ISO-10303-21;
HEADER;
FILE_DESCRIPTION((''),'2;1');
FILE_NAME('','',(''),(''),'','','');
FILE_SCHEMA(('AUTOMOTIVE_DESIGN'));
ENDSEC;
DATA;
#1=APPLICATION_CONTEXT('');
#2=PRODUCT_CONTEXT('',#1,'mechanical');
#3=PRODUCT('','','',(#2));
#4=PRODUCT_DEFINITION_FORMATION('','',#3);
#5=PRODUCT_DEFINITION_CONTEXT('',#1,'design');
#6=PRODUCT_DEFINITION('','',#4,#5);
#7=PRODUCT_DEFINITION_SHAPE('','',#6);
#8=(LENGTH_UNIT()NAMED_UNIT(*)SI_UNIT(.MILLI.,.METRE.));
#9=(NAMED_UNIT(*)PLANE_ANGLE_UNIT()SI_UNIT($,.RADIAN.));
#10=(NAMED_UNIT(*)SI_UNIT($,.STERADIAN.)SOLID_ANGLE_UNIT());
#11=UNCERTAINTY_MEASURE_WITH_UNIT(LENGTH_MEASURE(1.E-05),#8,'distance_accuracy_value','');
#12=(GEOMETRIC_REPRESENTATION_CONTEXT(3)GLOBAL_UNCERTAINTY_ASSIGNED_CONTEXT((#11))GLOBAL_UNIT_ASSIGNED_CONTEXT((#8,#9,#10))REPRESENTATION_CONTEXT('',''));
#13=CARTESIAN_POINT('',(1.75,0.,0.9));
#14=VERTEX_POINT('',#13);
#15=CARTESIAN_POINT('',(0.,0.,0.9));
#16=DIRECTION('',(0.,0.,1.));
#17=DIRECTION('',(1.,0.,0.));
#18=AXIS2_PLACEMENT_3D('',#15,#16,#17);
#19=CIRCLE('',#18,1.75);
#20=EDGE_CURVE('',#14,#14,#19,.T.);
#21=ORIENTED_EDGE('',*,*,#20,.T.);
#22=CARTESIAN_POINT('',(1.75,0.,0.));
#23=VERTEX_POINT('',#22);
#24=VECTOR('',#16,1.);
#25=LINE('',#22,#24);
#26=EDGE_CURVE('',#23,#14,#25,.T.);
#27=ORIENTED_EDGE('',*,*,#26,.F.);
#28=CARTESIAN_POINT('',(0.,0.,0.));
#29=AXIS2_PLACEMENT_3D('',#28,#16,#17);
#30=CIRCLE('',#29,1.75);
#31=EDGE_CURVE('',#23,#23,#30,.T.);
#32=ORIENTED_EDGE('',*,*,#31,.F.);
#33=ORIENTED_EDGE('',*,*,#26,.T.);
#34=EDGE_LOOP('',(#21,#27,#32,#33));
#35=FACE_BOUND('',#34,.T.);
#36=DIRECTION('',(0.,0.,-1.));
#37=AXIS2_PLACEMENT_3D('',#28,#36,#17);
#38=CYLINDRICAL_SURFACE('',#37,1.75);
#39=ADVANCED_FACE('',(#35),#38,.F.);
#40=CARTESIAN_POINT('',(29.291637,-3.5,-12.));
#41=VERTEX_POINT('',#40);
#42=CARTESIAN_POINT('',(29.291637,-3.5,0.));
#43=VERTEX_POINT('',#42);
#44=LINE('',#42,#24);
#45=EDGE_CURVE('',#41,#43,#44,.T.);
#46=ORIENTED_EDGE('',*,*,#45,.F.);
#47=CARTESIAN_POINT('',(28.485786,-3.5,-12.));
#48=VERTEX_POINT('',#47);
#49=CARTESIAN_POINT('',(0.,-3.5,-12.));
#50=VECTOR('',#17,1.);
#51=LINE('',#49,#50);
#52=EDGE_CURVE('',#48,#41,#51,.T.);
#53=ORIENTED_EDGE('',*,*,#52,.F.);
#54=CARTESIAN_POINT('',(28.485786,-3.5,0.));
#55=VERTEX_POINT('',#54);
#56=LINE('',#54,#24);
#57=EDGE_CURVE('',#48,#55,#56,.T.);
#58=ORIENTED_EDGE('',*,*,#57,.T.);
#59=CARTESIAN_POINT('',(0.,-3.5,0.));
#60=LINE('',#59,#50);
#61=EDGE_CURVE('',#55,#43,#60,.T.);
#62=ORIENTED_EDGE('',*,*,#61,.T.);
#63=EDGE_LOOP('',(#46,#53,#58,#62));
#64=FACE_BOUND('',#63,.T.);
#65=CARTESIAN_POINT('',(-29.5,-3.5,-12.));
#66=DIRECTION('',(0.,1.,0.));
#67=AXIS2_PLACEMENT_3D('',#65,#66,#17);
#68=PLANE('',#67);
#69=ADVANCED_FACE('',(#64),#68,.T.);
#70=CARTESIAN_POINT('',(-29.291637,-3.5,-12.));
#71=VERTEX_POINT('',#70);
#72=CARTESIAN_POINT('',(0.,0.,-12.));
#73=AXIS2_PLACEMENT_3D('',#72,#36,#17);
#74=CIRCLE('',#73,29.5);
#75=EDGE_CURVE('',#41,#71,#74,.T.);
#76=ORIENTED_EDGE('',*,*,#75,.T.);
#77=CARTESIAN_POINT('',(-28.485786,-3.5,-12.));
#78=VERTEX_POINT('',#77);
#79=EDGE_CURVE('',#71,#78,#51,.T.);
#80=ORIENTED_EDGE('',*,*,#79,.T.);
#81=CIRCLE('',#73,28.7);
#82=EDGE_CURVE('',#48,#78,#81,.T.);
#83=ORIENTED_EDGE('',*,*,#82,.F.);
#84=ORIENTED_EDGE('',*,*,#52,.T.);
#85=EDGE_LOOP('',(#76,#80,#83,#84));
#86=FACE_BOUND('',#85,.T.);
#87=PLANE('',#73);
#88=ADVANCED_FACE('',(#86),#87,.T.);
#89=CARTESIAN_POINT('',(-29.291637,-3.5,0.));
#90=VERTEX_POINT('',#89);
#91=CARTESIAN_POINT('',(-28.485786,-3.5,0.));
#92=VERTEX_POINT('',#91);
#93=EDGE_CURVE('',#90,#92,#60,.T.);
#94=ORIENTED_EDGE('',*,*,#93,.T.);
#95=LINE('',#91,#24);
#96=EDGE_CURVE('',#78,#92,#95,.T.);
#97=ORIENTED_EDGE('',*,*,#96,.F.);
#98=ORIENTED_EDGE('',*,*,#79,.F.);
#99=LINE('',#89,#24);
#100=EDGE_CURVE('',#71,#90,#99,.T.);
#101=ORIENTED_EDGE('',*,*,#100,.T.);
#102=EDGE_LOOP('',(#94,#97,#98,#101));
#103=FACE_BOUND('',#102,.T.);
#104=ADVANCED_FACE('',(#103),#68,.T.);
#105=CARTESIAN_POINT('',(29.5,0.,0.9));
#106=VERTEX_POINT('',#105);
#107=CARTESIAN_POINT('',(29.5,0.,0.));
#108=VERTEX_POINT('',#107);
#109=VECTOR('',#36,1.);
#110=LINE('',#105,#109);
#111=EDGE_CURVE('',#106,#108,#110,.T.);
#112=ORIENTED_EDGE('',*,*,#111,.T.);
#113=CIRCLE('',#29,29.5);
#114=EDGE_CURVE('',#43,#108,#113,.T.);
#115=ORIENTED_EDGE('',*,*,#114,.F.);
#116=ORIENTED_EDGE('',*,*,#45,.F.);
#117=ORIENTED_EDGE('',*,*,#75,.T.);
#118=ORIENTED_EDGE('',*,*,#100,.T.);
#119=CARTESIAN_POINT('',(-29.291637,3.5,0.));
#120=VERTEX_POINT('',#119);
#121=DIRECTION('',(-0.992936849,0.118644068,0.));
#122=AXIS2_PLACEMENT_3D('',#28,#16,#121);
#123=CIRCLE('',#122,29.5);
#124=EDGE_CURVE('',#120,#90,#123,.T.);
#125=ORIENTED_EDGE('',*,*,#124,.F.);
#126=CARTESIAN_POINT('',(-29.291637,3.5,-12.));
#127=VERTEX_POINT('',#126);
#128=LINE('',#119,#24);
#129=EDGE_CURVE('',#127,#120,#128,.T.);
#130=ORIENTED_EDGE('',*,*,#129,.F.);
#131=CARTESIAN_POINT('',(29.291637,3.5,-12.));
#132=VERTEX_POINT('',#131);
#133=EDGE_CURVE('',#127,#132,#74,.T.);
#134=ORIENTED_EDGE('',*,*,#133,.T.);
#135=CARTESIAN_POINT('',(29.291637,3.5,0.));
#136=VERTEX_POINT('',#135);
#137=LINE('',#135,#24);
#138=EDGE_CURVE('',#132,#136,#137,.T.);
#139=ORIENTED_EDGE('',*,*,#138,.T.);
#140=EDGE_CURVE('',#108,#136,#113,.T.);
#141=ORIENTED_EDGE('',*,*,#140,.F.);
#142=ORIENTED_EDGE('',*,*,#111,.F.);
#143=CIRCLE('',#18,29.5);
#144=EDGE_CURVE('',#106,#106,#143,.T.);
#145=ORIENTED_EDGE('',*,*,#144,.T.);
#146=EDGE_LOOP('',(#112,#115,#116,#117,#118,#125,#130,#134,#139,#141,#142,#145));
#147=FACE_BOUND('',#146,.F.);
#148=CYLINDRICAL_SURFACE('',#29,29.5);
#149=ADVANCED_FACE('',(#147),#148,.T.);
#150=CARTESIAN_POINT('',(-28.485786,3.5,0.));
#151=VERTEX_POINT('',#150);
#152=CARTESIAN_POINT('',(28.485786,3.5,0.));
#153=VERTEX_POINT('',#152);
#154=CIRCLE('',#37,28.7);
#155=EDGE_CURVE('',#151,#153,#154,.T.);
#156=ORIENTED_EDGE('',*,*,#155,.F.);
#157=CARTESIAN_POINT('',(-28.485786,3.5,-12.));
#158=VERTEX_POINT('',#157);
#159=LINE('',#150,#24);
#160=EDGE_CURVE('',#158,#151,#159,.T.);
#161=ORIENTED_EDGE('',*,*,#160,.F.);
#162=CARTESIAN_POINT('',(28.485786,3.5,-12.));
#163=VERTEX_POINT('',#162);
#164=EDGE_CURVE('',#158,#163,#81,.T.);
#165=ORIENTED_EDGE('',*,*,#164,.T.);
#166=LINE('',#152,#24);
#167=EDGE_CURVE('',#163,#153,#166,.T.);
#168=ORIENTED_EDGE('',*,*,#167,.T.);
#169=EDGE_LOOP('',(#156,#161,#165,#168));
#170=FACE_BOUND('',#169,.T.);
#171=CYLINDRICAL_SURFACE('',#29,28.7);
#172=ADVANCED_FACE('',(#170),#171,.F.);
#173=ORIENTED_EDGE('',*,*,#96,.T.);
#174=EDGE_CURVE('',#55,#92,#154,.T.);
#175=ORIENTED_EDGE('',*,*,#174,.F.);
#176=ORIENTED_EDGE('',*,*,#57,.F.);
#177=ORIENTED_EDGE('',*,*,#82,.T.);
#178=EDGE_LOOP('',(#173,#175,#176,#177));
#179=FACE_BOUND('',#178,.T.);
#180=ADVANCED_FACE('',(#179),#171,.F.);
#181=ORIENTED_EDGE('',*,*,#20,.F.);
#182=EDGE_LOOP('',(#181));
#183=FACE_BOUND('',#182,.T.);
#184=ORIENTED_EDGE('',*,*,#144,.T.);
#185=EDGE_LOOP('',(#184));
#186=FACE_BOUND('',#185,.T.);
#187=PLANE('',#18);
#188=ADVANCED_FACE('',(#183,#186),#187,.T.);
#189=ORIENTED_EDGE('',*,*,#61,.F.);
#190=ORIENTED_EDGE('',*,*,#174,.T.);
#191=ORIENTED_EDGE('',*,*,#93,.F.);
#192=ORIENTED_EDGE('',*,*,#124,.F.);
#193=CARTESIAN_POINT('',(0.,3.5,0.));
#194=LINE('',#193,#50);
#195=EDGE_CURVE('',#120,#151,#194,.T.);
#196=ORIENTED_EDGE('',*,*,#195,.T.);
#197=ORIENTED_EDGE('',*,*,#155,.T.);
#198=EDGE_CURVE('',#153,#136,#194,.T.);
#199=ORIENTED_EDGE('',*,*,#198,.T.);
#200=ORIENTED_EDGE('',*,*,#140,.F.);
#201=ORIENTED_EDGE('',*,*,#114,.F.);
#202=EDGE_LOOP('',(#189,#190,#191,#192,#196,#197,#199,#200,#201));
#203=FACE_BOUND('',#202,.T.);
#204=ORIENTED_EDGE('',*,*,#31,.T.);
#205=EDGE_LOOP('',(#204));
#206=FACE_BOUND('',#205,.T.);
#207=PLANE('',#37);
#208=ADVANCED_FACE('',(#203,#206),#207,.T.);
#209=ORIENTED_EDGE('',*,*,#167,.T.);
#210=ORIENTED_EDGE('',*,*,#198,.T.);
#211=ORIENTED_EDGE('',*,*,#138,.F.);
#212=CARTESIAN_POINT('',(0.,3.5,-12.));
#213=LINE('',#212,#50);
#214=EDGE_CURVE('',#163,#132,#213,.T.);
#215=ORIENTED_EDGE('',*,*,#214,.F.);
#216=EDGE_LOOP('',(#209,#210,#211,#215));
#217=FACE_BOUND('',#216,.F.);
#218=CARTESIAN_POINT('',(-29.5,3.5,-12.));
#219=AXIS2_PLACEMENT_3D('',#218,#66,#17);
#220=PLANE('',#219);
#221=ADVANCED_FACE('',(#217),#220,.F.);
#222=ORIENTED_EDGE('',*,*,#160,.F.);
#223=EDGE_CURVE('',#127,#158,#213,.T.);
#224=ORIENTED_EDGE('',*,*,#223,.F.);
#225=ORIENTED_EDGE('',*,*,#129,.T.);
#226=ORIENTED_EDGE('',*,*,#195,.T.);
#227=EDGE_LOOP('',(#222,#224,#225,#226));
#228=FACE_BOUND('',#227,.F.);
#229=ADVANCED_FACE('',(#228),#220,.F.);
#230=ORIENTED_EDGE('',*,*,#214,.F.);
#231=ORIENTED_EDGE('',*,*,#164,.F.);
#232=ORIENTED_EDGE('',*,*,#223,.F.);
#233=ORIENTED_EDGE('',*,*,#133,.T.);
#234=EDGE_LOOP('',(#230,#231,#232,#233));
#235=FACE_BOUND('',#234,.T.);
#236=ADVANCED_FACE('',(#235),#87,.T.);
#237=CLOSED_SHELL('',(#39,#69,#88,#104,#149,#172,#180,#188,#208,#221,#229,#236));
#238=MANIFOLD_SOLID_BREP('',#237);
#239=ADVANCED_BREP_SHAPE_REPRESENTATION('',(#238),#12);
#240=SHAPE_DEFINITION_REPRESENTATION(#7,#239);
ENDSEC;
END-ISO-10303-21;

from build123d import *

# Parameters (mm, degrees)
F0_R     = 29.5
F0_R_2   = 1.75
F1_DEPTH = 0.9
F2_R     = 29.5
F2_R_2   = 28.7
F3_DEPTH = 12
F4_W     = 59
F4_H     = 7
F5_DEPTH = 12


with BuildPart() as f1:
    # F0 (on Top) → F1 (new body)
    with BuildSketch(Plane.XY):
        Circle(F0_R)
        Circle(F0_R_2, mode=Mode.SUBTRACT)
    extrude(amount=F1_DEPTH)

    # F2 (on face) → F3 (join)
    with BuildSketch(Plane(origin=(0, 0, 0), x_dir=(1, 0, 0), z_dir=(0, 0, -1))):
        Circle(F2_R)
        Circle(F2_R_2, mode=Mode.SUBTRACT)
    extrude(amount=F3_DEPTH)

    # F4 (on face) → F5 (cut, through all)
    with BuildSketch(Plane(origin=(0, 0, -12), x_dir=(1, 0, 0), z_dir=(0, 0, -1))):
        Rectangle(F4_W, F4_H)
    extrude(amount=-F5_DEPTH, mode=Mode.SUBTRACT)


solid = f1.part
